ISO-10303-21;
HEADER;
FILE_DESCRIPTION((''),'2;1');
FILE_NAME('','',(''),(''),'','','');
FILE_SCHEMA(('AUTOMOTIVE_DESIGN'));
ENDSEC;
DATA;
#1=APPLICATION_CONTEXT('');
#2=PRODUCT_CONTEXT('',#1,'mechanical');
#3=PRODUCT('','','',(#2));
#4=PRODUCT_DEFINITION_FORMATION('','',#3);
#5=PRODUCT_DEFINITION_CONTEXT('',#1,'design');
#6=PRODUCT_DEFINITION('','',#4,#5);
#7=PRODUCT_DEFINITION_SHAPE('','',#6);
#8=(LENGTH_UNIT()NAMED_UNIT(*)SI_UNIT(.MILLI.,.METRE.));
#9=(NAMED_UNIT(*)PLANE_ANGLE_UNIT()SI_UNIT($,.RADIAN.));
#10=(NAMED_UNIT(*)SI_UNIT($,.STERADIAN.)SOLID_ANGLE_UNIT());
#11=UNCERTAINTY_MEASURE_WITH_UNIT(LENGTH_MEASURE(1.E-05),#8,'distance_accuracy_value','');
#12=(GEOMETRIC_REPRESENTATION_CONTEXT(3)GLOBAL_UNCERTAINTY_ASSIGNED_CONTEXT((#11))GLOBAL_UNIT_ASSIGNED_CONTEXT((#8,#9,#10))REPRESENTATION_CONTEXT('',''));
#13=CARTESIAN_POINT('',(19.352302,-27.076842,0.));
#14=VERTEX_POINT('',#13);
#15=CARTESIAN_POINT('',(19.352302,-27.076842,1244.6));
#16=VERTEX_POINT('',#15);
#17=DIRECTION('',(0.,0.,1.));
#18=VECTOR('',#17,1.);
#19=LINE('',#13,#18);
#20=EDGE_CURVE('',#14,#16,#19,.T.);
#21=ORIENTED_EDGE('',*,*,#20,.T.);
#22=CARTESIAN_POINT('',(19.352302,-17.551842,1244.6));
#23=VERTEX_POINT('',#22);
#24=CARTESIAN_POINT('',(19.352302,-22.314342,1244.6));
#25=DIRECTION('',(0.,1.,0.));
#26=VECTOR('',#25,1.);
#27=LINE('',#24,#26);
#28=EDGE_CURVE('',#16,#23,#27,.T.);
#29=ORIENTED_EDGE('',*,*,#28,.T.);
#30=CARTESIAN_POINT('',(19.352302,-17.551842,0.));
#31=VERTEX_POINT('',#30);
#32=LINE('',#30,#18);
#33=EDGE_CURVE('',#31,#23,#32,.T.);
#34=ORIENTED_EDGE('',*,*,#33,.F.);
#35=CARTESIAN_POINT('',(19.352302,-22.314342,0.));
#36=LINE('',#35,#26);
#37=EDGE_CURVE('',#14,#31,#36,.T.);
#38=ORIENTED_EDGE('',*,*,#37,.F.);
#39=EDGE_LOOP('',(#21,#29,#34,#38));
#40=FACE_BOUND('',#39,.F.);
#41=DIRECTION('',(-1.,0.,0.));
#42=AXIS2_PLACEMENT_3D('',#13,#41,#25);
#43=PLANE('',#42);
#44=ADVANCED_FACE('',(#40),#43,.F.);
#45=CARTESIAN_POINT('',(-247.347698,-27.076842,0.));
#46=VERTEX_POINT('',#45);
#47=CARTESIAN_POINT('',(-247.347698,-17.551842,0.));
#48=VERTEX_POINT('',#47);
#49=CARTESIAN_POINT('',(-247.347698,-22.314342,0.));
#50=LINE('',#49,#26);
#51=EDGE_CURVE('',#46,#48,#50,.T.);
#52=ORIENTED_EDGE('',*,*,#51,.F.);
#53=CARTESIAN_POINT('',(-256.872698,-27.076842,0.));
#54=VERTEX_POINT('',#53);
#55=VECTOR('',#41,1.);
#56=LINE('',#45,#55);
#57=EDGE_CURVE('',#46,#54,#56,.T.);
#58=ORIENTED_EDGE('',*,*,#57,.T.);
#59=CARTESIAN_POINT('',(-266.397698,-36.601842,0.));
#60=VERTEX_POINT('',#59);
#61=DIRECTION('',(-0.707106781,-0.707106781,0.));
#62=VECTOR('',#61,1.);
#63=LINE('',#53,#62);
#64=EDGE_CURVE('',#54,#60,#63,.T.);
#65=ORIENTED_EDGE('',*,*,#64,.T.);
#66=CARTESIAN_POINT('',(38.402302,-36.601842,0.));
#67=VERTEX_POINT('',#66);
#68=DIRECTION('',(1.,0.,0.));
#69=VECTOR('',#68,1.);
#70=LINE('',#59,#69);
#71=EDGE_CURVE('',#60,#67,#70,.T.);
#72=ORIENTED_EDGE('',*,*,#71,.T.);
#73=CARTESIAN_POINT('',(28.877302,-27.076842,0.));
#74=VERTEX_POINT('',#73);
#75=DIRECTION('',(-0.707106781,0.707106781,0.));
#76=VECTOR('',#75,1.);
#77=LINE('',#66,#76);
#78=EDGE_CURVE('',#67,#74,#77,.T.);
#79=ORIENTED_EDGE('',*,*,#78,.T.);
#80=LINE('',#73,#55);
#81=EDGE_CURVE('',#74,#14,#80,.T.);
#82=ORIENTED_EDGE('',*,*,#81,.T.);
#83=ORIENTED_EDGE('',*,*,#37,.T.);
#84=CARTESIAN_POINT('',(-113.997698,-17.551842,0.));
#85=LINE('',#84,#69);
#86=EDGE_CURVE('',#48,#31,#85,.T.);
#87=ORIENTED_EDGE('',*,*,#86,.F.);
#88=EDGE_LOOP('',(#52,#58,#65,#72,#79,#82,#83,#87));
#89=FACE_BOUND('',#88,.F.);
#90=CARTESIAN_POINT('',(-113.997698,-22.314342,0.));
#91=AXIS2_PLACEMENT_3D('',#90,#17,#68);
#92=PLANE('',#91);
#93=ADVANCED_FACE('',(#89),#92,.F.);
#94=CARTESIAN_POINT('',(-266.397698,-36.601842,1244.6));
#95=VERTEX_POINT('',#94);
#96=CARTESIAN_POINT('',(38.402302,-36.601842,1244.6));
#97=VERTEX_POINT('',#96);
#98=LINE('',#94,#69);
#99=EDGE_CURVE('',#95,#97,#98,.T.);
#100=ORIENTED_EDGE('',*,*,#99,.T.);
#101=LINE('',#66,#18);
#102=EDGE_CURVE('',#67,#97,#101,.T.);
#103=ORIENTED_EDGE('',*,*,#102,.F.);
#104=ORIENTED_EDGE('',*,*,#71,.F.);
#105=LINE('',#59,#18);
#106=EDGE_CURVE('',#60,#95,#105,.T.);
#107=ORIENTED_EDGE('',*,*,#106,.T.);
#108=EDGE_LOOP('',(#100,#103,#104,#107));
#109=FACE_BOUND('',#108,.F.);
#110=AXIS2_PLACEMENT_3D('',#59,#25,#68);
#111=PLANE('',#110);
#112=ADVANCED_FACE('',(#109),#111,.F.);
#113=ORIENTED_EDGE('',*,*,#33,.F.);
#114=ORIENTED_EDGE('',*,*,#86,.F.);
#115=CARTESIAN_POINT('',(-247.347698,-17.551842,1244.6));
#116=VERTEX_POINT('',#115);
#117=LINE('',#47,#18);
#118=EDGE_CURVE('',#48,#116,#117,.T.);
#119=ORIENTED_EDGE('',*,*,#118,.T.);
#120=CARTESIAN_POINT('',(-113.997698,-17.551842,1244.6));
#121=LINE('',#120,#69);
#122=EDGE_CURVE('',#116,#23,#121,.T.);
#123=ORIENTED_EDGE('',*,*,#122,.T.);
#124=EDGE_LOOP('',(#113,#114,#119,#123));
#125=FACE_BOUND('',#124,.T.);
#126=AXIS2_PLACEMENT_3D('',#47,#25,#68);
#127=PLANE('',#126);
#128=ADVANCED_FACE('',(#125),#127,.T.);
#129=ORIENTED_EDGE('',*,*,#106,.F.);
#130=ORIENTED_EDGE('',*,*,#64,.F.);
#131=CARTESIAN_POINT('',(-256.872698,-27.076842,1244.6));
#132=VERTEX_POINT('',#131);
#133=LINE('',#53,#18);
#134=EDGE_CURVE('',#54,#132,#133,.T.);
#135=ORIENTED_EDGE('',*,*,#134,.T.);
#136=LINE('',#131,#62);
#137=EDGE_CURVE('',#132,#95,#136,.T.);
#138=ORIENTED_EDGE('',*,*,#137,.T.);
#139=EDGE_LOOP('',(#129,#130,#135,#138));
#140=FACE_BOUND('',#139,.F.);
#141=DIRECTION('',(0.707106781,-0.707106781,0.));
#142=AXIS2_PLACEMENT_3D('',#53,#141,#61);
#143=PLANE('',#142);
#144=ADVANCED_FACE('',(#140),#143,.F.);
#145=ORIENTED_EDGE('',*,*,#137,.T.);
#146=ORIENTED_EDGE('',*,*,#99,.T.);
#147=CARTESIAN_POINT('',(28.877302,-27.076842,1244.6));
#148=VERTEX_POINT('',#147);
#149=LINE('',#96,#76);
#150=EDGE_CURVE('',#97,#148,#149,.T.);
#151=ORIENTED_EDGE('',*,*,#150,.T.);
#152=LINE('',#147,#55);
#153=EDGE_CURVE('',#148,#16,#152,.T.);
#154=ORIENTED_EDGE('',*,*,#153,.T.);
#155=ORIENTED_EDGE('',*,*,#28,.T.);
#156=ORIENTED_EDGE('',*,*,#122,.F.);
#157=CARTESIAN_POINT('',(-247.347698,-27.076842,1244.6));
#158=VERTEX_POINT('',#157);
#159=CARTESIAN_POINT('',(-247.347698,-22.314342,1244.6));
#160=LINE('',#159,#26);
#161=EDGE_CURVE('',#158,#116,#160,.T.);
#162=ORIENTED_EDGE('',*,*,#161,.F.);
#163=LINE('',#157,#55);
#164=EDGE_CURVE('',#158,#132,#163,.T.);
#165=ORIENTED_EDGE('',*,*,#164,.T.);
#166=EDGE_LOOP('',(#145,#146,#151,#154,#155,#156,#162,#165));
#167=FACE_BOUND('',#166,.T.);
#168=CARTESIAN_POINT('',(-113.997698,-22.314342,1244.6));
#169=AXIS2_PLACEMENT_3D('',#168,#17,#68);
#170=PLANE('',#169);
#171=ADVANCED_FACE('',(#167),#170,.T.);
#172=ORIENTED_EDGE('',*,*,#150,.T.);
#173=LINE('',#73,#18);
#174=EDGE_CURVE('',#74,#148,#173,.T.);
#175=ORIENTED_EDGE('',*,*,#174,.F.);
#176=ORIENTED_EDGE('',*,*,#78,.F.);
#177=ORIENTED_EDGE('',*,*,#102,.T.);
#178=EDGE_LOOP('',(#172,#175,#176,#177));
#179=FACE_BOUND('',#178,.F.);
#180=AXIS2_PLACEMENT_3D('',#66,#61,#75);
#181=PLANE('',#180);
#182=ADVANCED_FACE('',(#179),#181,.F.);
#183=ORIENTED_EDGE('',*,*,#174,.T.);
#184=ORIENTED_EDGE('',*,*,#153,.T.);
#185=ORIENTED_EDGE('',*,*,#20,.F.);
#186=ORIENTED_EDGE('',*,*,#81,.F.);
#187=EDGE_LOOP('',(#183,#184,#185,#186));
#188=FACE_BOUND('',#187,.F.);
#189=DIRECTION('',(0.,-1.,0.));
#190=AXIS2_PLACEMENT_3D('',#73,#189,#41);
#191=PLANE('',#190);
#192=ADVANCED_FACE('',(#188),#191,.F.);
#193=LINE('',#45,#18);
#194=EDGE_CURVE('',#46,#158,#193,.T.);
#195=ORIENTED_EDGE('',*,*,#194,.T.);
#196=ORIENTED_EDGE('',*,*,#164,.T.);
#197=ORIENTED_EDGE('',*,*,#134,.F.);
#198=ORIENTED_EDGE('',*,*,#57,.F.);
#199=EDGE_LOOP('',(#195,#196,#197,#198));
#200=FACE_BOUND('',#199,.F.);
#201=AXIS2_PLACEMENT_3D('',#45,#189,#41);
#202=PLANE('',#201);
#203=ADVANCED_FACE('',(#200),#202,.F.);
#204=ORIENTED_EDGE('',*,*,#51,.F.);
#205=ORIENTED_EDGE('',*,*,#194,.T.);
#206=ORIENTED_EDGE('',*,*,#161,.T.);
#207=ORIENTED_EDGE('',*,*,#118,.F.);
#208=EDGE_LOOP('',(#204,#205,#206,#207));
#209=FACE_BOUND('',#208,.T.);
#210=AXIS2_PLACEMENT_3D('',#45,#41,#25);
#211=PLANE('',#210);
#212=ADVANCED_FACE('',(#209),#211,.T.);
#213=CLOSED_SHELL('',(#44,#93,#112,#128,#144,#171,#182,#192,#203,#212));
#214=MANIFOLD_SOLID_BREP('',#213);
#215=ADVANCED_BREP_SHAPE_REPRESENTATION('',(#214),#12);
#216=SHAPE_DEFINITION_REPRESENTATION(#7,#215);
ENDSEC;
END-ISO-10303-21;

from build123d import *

# Parameters (mm, degrees)
F0_W     = 266.7
F0_H     = 9.525
F1_DEPTH = 1244.6


with BuildPart() as f1:
    # F0 (on Top) → F1 (new body)
    with BuildSketch(Plane.XY):
        with Locations((-113.997698, -22.314342)):
            Rectangle(F0_W, F0_H)
        Polygon((-256.872698, -27.076842), (-266.397698, -36.601842), (38.402302, -36.601842), (28.877302, -27.076842), (19.352302, -27.076842), (-247.347698, -27.076842), align=None)
    extrude(amount=F1_DEPTH)


solid = f1.part
